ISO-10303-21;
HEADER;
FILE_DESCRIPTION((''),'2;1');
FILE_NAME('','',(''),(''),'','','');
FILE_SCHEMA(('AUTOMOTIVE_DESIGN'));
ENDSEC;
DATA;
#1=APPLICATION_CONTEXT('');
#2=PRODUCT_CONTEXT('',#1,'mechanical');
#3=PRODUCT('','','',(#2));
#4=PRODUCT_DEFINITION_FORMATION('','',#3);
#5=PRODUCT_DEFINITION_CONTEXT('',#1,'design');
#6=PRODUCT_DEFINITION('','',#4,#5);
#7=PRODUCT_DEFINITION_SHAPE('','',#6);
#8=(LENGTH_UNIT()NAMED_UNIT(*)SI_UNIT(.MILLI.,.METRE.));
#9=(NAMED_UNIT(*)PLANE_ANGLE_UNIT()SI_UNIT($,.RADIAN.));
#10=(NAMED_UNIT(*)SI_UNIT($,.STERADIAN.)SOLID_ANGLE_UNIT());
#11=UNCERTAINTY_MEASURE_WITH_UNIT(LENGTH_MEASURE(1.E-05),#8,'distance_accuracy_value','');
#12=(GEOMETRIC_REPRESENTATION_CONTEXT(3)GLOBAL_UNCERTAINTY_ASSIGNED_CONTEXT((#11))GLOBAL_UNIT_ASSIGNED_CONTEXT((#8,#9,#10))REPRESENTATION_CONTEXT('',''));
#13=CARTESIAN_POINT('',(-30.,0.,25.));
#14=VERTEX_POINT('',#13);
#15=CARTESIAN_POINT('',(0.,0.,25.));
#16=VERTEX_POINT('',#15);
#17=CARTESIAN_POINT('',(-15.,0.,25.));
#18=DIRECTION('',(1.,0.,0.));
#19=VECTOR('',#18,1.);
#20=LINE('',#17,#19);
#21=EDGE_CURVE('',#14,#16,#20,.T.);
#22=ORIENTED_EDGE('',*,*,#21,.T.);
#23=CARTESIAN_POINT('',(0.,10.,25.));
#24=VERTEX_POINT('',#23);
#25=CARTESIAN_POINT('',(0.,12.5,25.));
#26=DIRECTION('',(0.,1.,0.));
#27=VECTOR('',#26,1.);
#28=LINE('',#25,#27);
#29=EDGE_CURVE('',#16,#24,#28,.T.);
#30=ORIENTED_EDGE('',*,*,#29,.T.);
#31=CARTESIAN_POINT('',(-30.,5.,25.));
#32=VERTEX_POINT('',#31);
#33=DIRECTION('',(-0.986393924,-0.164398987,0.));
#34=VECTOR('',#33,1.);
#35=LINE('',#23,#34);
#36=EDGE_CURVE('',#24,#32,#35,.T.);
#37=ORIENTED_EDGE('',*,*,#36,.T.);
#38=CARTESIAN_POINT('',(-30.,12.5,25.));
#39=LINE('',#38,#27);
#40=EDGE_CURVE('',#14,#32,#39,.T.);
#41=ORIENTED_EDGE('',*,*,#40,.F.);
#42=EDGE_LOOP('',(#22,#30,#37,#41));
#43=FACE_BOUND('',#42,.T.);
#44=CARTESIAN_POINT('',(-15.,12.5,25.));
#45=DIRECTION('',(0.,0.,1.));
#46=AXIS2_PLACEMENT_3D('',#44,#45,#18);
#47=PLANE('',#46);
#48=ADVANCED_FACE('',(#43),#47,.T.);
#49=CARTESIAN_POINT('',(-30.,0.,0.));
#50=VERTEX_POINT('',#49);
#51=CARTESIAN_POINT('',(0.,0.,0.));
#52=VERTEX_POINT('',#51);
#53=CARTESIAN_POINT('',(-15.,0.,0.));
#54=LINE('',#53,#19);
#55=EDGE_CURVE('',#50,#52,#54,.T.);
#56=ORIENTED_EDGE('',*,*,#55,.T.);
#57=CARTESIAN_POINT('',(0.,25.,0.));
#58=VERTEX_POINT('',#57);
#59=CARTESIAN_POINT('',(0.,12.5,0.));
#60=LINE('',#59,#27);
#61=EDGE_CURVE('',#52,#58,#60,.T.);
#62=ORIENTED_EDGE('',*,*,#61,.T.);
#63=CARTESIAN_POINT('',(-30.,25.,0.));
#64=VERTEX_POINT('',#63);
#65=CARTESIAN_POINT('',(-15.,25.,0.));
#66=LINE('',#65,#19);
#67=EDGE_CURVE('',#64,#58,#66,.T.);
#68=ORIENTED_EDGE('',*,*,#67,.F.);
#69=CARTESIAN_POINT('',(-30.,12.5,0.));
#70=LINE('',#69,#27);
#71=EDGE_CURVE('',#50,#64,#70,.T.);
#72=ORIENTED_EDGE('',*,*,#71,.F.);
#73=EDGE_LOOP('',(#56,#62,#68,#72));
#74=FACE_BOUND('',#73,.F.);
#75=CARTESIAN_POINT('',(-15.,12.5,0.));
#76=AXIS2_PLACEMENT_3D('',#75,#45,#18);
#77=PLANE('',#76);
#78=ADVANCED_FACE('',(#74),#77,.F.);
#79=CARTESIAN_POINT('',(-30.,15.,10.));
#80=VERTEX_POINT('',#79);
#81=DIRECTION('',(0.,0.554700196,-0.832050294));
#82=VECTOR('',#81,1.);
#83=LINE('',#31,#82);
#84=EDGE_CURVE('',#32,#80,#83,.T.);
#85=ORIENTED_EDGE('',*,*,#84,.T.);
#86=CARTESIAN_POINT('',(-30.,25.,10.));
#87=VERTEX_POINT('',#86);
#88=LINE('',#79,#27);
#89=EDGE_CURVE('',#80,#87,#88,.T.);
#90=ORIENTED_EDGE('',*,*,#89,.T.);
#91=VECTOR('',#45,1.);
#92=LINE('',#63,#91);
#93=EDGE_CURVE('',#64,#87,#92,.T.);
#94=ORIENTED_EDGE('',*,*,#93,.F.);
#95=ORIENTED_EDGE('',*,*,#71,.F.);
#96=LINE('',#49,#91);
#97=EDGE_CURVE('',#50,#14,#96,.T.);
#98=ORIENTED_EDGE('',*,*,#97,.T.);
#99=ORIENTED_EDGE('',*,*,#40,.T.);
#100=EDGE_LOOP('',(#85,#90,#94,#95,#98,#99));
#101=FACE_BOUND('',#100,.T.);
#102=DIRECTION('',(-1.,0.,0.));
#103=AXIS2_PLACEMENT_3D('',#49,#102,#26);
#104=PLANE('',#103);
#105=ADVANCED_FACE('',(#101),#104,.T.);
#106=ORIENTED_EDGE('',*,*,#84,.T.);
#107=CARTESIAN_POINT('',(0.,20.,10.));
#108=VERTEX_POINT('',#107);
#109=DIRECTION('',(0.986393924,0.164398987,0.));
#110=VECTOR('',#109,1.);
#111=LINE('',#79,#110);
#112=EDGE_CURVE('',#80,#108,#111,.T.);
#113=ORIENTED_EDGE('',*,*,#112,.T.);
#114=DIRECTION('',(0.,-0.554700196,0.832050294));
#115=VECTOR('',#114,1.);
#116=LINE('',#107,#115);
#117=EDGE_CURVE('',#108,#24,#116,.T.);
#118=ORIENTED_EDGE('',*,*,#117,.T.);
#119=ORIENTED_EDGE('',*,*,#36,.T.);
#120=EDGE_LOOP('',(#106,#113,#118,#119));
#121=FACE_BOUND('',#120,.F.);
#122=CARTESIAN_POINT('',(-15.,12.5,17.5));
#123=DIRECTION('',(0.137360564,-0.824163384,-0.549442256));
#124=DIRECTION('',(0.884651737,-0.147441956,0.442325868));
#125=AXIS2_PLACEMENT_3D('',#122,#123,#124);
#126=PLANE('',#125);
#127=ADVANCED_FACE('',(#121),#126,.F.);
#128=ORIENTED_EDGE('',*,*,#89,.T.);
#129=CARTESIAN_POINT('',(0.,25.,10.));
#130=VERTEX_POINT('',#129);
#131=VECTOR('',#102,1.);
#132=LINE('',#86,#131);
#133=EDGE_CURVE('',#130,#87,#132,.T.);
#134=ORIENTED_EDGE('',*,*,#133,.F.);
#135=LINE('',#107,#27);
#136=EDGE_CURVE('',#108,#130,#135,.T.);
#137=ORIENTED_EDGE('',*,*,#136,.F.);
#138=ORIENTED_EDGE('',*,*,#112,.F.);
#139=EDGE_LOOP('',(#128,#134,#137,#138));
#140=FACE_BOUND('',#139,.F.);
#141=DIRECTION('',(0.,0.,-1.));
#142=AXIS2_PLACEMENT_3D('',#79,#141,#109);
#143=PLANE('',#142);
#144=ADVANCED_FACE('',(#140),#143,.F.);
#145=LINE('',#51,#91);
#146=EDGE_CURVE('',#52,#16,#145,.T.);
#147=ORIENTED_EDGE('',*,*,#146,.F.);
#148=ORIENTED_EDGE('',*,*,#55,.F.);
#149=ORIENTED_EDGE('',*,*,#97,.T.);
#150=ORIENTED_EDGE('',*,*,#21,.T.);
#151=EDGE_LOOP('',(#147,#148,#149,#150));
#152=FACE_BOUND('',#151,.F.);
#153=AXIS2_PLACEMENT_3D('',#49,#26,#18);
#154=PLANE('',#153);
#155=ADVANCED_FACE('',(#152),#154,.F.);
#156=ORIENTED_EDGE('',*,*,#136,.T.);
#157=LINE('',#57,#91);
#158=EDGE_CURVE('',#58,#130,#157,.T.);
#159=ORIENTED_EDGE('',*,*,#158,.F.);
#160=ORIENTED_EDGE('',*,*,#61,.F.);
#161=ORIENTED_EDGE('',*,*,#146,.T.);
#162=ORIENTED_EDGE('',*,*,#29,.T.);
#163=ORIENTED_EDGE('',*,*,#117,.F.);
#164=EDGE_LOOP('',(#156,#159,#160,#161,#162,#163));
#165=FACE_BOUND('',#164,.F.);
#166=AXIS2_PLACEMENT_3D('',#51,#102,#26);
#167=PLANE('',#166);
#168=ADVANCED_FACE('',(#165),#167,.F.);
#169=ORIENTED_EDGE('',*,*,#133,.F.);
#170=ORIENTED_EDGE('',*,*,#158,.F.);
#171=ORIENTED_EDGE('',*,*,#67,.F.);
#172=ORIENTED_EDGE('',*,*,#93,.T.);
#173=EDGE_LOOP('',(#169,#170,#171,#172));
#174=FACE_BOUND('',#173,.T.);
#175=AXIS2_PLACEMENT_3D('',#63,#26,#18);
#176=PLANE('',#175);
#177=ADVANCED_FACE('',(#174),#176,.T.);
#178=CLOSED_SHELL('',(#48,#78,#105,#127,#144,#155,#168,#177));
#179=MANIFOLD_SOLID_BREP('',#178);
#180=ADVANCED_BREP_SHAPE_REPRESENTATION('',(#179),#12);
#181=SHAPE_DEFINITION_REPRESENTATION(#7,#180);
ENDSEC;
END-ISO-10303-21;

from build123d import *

# Parameters (mm, degrees)
SKETCH1_W           = 30
SKETCH1_H           = 25
BOSS_EXTRUDE1_DEPTH = 25
CUT_EXTRUDE4_DEPTH  = 25


with BuildPart() as part:
    # Sketch1 → Boss-Extrude1 (new body)
    with BuildSketch(Plane.XY):
        with Locations((-15, 12.5)):
            Rectangle(SKETCH1_W, SKETCH1_H)
    extrude(amount=BOSS_EXTRUDE1_DEPTH)

    # 3DSketch1 → Cut-Extrude4 (cut, along a direction that is not the sketch's normal)
    with BuildSketch(Plane(origin=(-30, 15, 10), x_dir=(0.8846517369293828, -0.14744195615489716, 0.4423258684646914), z_dir=(0.13736056394868915, -0.824163383692134, -0.5494422557947564))):
        Polygon((0, 0), (25.802342327, -16.100904646), (33.911649916, 0), (8.109307589, 16.100904646), align=None)
    extrude(amount=-CUT_EXTRUDE4_DEPTH, dir=(0, -1, 0), mode=Mode.SUBTRACT)


solid = part.part
